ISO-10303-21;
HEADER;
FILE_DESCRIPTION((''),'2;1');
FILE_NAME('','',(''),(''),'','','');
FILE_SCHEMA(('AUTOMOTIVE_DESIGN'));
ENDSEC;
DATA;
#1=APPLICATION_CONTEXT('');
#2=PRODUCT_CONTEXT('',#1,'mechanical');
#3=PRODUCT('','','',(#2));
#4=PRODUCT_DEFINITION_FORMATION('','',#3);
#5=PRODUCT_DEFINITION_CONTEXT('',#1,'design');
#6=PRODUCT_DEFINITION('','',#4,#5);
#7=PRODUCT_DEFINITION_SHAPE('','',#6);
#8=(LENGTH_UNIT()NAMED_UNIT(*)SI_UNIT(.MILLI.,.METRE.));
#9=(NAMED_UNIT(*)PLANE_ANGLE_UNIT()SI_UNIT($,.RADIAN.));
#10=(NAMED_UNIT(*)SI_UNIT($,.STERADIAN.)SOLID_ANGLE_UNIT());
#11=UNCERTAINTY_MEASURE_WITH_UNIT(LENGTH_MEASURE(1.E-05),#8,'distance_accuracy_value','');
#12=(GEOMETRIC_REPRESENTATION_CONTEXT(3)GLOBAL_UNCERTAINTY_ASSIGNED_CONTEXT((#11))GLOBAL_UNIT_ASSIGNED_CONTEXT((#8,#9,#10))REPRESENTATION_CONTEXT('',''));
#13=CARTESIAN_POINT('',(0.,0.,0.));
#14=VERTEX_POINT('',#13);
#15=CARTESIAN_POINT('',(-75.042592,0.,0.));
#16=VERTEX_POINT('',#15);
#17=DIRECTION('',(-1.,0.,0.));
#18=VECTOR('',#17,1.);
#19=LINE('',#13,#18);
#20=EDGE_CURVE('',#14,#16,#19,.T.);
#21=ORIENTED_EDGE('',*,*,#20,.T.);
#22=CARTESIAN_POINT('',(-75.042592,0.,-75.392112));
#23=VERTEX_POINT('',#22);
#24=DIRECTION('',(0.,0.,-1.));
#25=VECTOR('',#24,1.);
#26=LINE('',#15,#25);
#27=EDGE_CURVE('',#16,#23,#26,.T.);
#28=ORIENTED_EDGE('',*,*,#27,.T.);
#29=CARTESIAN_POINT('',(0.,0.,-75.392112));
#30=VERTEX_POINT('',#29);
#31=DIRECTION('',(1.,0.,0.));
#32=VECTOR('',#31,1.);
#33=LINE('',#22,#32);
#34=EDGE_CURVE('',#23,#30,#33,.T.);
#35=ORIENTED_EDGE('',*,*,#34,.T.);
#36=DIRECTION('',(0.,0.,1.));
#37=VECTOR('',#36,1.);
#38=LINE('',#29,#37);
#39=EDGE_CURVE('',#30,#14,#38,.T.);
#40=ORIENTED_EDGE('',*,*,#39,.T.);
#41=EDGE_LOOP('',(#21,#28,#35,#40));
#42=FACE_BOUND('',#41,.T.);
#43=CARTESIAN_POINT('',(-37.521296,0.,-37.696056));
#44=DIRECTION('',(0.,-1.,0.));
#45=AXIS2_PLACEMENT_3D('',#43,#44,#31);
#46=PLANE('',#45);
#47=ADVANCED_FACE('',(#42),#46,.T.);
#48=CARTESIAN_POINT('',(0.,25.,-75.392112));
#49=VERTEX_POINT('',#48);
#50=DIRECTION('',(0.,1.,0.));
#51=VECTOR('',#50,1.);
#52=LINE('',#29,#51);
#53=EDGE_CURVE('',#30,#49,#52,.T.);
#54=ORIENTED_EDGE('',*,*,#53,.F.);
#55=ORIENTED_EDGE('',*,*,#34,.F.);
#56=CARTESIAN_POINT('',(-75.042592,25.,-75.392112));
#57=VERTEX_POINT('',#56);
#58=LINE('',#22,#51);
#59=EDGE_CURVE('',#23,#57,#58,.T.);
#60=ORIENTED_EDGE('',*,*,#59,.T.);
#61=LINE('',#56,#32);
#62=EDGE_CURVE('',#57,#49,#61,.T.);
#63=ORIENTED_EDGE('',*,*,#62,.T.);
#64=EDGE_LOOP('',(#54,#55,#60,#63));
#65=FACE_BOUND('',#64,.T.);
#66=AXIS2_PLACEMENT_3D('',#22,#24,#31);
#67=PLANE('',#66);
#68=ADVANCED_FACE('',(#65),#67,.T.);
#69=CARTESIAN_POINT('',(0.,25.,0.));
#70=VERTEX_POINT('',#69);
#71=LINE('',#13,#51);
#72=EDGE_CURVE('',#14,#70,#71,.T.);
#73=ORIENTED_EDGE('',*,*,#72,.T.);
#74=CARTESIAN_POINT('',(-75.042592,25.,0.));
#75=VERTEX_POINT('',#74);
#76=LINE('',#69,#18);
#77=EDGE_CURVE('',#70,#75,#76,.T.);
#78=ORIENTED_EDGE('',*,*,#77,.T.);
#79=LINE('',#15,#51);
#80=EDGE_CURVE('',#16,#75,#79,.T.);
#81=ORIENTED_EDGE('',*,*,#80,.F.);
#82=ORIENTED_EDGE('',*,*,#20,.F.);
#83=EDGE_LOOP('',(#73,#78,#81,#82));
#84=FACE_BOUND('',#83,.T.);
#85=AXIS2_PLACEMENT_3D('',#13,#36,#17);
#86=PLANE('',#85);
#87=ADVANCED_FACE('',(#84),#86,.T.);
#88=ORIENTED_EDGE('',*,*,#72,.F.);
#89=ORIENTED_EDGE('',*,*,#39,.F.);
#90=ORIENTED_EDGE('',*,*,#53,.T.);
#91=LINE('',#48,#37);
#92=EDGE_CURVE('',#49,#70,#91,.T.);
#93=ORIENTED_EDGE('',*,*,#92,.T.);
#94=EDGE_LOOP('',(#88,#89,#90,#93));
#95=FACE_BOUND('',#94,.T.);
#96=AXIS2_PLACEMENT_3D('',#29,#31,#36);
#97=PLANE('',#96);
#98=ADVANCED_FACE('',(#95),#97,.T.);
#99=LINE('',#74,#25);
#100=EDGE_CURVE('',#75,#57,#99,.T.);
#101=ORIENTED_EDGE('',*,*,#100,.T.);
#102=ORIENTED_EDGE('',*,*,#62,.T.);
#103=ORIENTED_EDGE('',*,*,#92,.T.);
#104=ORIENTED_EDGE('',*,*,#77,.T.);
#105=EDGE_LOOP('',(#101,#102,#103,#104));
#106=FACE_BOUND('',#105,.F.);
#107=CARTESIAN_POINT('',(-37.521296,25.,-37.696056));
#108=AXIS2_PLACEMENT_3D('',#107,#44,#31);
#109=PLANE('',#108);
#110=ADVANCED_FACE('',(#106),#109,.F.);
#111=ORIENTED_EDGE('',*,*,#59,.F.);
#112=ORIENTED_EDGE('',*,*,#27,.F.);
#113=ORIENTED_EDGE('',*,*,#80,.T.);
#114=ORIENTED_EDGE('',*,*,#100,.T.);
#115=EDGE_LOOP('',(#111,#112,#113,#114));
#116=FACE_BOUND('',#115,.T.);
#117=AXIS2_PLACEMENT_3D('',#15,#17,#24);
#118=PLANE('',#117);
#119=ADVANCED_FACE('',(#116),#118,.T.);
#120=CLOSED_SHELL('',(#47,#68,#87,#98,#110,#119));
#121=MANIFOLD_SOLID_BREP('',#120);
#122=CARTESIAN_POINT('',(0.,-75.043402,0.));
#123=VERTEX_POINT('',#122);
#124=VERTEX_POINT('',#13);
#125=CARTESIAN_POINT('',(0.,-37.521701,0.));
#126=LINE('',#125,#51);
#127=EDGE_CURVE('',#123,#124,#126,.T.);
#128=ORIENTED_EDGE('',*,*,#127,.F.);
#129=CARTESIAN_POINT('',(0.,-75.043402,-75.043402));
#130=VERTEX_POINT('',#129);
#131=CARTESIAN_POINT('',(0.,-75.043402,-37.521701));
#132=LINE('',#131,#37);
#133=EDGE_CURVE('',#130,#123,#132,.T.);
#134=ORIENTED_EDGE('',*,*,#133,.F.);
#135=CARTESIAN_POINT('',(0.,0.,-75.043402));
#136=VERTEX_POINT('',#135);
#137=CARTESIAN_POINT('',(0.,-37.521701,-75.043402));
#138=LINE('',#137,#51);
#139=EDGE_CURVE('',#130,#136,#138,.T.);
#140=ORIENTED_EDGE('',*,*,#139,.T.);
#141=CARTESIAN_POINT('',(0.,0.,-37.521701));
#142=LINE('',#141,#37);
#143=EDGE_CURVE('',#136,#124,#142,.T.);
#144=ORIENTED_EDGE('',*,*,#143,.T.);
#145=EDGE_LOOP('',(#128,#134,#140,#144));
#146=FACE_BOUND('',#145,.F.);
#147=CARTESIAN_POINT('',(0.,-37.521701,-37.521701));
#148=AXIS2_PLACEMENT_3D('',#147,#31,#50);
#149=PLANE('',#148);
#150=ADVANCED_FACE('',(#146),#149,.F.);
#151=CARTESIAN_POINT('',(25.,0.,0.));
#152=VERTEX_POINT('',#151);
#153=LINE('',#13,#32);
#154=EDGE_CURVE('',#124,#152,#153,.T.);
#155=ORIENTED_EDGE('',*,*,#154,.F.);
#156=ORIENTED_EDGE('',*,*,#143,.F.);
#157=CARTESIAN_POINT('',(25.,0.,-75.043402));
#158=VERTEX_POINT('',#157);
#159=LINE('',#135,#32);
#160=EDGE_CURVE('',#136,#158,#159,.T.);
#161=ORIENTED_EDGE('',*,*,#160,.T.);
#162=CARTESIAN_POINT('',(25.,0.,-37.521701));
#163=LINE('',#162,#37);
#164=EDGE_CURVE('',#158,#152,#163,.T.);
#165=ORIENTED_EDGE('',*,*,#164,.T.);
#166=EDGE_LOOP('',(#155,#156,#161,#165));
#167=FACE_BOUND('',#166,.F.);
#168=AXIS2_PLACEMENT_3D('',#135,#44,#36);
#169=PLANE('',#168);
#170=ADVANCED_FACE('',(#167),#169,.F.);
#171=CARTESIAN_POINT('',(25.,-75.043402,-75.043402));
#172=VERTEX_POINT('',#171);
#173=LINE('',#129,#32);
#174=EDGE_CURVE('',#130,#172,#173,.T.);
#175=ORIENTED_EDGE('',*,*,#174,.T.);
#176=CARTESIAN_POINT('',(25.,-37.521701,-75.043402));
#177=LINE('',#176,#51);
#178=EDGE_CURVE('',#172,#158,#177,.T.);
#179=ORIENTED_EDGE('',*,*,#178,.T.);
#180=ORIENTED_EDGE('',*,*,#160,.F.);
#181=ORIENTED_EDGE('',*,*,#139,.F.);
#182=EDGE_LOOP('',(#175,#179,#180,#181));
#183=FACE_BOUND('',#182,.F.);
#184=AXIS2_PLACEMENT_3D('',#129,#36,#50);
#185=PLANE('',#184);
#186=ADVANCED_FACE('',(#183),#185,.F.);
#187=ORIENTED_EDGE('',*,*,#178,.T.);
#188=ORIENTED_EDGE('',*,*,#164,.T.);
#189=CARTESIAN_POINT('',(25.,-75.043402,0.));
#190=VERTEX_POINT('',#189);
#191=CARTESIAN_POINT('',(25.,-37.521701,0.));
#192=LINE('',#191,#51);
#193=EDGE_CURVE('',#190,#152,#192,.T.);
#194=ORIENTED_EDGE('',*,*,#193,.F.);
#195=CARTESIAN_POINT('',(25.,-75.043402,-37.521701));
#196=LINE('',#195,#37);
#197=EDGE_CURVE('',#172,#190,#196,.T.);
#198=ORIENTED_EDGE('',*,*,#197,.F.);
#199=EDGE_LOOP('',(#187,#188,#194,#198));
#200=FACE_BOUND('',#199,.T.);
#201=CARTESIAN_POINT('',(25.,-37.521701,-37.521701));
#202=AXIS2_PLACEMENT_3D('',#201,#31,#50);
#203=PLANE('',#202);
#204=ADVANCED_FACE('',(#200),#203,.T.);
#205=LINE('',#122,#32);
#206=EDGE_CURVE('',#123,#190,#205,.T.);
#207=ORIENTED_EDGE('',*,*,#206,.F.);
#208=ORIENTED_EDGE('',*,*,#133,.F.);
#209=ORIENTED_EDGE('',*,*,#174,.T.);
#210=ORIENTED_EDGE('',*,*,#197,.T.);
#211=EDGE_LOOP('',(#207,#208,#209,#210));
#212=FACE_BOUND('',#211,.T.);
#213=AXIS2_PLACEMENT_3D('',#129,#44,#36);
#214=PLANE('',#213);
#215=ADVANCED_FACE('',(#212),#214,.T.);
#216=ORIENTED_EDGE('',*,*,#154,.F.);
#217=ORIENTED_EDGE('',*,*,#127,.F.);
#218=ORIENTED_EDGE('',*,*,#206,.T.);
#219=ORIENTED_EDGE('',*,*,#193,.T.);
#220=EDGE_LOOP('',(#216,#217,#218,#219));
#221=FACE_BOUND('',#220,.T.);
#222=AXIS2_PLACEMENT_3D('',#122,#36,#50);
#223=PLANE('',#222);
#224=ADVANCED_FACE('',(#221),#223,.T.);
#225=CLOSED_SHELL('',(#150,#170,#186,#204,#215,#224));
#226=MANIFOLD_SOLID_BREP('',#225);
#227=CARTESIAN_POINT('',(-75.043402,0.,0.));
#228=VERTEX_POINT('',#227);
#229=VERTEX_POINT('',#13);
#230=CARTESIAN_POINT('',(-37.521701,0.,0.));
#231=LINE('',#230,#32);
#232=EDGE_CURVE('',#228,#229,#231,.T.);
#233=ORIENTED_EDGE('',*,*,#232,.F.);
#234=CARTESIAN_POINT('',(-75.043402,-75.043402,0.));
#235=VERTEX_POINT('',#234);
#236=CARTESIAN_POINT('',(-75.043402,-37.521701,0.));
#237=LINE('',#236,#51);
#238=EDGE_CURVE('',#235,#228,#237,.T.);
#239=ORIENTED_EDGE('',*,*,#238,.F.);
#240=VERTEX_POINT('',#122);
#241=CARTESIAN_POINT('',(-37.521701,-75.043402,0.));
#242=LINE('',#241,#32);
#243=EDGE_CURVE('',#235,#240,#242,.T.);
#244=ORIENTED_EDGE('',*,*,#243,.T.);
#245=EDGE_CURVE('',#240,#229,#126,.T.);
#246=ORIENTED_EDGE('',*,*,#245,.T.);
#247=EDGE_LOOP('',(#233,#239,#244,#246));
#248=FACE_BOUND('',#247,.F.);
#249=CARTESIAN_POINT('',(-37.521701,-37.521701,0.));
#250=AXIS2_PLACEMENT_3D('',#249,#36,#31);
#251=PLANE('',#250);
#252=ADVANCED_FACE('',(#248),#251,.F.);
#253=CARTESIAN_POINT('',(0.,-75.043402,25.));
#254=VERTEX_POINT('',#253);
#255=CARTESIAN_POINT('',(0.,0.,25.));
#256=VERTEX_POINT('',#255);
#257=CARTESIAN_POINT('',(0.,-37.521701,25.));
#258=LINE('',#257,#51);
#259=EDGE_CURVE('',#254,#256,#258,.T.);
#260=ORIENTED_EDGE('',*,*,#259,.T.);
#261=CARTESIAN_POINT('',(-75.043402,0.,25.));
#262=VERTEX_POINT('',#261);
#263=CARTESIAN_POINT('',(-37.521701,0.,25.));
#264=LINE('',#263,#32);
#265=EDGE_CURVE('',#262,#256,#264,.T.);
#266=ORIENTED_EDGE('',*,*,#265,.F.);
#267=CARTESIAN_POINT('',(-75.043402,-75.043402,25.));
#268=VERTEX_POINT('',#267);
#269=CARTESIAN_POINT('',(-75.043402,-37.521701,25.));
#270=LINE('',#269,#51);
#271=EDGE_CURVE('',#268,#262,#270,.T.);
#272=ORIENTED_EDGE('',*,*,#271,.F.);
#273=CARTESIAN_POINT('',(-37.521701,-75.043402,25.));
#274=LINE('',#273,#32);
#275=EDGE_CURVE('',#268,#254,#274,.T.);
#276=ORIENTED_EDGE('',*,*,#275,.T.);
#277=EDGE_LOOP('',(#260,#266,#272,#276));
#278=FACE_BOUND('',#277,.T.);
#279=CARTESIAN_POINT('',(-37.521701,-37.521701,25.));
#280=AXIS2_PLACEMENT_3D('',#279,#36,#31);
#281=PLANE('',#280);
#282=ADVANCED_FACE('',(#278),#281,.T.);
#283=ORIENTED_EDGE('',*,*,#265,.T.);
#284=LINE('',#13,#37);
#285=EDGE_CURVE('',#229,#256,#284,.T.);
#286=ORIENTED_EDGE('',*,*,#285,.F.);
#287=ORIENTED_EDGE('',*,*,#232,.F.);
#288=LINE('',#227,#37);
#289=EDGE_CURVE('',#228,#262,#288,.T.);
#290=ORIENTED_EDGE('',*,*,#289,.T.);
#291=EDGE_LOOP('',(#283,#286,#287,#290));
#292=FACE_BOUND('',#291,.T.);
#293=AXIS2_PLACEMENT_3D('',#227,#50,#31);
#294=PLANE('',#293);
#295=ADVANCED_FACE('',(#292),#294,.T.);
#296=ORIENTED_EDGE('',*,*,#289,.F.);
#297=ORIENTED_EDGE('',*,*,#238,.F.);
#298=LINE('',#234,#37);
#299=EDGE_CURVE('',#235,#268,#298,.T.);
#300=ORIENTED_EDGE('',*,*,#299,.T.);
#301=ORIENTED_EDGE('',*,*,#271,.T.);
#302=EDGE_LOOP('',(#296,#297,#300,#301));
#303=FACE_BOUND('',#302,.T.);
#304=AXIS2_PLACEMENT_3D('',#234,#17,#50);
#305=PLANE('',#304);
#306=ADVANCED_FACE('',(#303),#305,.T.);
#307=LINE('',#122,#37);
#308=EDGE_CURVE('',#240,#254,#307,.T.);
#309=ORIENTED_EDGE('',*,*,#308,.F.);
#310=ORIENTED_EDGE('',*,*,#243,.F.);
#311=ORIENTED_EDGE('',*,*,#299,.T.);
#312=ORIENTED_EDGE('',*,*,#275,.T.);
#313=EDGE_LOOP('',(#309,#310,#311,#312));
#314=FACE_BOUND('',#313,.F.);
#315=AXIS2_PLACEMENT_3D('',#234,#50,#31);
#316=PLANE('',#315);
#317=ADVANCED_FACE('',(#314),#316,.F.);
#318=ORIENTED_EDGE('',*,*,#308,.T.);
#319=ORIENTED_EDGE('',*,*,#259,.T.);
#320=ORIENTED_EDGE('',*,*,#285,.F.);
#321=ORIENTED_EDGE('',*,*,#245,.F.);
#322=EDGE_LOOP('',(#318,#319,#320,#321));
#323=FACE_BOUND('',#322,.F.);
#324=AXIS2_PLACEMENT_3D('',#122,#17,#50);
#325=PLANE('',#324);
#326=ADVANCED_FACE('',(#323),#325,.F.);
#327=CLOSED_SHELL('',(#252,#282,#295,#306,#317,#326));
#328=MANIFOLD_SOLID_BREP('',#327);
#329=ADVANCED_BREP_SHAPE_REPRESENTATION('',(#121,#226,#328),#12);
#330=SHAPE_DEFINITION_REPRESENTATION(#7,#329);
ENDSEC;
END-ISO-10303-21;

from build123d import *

# Parameters (mm, degrees)
F3_DEPTH = 25
F1_W     = 75.043403
F1_H     = 75.043403
F4_DEPTH = 25
F0_W     = 75.043403
F0_H     = 75.043403
F5_DEPTH = 25


with BuildPart() as f3:
    # F2 (on Front) → F3 (new body)
    with BuildSketch(Plane.XZ):
        Polygon((0, -75.043403), (0, 0), (-75.042592, 0), (-75.042592, -75.392112), (0, -75.392112), align=None)
    extrude(amount=-F3_DEPTH)


with BuildPart() as f4:
    # F1 (on Right) → F4 (new body)
    with BuildSketch(Plane.YZ):
        with Locations((-37.521701, -37.521701)):
            Rectangle(F1_W, F1_H)
    extrude(amount=F4_DEPTH)


with BuildPart() as f5:
    # F0 (on Top) → F5 (new body)
    with BuildSketch(Plane.XY):
        with Locations((-37.521701, -37.521701)):
            Rectangle(F0_W, F0_H)
    extrude(amount=F5_DEPTH)


solid = Compound([f3.part, f4.part, f5.part])
